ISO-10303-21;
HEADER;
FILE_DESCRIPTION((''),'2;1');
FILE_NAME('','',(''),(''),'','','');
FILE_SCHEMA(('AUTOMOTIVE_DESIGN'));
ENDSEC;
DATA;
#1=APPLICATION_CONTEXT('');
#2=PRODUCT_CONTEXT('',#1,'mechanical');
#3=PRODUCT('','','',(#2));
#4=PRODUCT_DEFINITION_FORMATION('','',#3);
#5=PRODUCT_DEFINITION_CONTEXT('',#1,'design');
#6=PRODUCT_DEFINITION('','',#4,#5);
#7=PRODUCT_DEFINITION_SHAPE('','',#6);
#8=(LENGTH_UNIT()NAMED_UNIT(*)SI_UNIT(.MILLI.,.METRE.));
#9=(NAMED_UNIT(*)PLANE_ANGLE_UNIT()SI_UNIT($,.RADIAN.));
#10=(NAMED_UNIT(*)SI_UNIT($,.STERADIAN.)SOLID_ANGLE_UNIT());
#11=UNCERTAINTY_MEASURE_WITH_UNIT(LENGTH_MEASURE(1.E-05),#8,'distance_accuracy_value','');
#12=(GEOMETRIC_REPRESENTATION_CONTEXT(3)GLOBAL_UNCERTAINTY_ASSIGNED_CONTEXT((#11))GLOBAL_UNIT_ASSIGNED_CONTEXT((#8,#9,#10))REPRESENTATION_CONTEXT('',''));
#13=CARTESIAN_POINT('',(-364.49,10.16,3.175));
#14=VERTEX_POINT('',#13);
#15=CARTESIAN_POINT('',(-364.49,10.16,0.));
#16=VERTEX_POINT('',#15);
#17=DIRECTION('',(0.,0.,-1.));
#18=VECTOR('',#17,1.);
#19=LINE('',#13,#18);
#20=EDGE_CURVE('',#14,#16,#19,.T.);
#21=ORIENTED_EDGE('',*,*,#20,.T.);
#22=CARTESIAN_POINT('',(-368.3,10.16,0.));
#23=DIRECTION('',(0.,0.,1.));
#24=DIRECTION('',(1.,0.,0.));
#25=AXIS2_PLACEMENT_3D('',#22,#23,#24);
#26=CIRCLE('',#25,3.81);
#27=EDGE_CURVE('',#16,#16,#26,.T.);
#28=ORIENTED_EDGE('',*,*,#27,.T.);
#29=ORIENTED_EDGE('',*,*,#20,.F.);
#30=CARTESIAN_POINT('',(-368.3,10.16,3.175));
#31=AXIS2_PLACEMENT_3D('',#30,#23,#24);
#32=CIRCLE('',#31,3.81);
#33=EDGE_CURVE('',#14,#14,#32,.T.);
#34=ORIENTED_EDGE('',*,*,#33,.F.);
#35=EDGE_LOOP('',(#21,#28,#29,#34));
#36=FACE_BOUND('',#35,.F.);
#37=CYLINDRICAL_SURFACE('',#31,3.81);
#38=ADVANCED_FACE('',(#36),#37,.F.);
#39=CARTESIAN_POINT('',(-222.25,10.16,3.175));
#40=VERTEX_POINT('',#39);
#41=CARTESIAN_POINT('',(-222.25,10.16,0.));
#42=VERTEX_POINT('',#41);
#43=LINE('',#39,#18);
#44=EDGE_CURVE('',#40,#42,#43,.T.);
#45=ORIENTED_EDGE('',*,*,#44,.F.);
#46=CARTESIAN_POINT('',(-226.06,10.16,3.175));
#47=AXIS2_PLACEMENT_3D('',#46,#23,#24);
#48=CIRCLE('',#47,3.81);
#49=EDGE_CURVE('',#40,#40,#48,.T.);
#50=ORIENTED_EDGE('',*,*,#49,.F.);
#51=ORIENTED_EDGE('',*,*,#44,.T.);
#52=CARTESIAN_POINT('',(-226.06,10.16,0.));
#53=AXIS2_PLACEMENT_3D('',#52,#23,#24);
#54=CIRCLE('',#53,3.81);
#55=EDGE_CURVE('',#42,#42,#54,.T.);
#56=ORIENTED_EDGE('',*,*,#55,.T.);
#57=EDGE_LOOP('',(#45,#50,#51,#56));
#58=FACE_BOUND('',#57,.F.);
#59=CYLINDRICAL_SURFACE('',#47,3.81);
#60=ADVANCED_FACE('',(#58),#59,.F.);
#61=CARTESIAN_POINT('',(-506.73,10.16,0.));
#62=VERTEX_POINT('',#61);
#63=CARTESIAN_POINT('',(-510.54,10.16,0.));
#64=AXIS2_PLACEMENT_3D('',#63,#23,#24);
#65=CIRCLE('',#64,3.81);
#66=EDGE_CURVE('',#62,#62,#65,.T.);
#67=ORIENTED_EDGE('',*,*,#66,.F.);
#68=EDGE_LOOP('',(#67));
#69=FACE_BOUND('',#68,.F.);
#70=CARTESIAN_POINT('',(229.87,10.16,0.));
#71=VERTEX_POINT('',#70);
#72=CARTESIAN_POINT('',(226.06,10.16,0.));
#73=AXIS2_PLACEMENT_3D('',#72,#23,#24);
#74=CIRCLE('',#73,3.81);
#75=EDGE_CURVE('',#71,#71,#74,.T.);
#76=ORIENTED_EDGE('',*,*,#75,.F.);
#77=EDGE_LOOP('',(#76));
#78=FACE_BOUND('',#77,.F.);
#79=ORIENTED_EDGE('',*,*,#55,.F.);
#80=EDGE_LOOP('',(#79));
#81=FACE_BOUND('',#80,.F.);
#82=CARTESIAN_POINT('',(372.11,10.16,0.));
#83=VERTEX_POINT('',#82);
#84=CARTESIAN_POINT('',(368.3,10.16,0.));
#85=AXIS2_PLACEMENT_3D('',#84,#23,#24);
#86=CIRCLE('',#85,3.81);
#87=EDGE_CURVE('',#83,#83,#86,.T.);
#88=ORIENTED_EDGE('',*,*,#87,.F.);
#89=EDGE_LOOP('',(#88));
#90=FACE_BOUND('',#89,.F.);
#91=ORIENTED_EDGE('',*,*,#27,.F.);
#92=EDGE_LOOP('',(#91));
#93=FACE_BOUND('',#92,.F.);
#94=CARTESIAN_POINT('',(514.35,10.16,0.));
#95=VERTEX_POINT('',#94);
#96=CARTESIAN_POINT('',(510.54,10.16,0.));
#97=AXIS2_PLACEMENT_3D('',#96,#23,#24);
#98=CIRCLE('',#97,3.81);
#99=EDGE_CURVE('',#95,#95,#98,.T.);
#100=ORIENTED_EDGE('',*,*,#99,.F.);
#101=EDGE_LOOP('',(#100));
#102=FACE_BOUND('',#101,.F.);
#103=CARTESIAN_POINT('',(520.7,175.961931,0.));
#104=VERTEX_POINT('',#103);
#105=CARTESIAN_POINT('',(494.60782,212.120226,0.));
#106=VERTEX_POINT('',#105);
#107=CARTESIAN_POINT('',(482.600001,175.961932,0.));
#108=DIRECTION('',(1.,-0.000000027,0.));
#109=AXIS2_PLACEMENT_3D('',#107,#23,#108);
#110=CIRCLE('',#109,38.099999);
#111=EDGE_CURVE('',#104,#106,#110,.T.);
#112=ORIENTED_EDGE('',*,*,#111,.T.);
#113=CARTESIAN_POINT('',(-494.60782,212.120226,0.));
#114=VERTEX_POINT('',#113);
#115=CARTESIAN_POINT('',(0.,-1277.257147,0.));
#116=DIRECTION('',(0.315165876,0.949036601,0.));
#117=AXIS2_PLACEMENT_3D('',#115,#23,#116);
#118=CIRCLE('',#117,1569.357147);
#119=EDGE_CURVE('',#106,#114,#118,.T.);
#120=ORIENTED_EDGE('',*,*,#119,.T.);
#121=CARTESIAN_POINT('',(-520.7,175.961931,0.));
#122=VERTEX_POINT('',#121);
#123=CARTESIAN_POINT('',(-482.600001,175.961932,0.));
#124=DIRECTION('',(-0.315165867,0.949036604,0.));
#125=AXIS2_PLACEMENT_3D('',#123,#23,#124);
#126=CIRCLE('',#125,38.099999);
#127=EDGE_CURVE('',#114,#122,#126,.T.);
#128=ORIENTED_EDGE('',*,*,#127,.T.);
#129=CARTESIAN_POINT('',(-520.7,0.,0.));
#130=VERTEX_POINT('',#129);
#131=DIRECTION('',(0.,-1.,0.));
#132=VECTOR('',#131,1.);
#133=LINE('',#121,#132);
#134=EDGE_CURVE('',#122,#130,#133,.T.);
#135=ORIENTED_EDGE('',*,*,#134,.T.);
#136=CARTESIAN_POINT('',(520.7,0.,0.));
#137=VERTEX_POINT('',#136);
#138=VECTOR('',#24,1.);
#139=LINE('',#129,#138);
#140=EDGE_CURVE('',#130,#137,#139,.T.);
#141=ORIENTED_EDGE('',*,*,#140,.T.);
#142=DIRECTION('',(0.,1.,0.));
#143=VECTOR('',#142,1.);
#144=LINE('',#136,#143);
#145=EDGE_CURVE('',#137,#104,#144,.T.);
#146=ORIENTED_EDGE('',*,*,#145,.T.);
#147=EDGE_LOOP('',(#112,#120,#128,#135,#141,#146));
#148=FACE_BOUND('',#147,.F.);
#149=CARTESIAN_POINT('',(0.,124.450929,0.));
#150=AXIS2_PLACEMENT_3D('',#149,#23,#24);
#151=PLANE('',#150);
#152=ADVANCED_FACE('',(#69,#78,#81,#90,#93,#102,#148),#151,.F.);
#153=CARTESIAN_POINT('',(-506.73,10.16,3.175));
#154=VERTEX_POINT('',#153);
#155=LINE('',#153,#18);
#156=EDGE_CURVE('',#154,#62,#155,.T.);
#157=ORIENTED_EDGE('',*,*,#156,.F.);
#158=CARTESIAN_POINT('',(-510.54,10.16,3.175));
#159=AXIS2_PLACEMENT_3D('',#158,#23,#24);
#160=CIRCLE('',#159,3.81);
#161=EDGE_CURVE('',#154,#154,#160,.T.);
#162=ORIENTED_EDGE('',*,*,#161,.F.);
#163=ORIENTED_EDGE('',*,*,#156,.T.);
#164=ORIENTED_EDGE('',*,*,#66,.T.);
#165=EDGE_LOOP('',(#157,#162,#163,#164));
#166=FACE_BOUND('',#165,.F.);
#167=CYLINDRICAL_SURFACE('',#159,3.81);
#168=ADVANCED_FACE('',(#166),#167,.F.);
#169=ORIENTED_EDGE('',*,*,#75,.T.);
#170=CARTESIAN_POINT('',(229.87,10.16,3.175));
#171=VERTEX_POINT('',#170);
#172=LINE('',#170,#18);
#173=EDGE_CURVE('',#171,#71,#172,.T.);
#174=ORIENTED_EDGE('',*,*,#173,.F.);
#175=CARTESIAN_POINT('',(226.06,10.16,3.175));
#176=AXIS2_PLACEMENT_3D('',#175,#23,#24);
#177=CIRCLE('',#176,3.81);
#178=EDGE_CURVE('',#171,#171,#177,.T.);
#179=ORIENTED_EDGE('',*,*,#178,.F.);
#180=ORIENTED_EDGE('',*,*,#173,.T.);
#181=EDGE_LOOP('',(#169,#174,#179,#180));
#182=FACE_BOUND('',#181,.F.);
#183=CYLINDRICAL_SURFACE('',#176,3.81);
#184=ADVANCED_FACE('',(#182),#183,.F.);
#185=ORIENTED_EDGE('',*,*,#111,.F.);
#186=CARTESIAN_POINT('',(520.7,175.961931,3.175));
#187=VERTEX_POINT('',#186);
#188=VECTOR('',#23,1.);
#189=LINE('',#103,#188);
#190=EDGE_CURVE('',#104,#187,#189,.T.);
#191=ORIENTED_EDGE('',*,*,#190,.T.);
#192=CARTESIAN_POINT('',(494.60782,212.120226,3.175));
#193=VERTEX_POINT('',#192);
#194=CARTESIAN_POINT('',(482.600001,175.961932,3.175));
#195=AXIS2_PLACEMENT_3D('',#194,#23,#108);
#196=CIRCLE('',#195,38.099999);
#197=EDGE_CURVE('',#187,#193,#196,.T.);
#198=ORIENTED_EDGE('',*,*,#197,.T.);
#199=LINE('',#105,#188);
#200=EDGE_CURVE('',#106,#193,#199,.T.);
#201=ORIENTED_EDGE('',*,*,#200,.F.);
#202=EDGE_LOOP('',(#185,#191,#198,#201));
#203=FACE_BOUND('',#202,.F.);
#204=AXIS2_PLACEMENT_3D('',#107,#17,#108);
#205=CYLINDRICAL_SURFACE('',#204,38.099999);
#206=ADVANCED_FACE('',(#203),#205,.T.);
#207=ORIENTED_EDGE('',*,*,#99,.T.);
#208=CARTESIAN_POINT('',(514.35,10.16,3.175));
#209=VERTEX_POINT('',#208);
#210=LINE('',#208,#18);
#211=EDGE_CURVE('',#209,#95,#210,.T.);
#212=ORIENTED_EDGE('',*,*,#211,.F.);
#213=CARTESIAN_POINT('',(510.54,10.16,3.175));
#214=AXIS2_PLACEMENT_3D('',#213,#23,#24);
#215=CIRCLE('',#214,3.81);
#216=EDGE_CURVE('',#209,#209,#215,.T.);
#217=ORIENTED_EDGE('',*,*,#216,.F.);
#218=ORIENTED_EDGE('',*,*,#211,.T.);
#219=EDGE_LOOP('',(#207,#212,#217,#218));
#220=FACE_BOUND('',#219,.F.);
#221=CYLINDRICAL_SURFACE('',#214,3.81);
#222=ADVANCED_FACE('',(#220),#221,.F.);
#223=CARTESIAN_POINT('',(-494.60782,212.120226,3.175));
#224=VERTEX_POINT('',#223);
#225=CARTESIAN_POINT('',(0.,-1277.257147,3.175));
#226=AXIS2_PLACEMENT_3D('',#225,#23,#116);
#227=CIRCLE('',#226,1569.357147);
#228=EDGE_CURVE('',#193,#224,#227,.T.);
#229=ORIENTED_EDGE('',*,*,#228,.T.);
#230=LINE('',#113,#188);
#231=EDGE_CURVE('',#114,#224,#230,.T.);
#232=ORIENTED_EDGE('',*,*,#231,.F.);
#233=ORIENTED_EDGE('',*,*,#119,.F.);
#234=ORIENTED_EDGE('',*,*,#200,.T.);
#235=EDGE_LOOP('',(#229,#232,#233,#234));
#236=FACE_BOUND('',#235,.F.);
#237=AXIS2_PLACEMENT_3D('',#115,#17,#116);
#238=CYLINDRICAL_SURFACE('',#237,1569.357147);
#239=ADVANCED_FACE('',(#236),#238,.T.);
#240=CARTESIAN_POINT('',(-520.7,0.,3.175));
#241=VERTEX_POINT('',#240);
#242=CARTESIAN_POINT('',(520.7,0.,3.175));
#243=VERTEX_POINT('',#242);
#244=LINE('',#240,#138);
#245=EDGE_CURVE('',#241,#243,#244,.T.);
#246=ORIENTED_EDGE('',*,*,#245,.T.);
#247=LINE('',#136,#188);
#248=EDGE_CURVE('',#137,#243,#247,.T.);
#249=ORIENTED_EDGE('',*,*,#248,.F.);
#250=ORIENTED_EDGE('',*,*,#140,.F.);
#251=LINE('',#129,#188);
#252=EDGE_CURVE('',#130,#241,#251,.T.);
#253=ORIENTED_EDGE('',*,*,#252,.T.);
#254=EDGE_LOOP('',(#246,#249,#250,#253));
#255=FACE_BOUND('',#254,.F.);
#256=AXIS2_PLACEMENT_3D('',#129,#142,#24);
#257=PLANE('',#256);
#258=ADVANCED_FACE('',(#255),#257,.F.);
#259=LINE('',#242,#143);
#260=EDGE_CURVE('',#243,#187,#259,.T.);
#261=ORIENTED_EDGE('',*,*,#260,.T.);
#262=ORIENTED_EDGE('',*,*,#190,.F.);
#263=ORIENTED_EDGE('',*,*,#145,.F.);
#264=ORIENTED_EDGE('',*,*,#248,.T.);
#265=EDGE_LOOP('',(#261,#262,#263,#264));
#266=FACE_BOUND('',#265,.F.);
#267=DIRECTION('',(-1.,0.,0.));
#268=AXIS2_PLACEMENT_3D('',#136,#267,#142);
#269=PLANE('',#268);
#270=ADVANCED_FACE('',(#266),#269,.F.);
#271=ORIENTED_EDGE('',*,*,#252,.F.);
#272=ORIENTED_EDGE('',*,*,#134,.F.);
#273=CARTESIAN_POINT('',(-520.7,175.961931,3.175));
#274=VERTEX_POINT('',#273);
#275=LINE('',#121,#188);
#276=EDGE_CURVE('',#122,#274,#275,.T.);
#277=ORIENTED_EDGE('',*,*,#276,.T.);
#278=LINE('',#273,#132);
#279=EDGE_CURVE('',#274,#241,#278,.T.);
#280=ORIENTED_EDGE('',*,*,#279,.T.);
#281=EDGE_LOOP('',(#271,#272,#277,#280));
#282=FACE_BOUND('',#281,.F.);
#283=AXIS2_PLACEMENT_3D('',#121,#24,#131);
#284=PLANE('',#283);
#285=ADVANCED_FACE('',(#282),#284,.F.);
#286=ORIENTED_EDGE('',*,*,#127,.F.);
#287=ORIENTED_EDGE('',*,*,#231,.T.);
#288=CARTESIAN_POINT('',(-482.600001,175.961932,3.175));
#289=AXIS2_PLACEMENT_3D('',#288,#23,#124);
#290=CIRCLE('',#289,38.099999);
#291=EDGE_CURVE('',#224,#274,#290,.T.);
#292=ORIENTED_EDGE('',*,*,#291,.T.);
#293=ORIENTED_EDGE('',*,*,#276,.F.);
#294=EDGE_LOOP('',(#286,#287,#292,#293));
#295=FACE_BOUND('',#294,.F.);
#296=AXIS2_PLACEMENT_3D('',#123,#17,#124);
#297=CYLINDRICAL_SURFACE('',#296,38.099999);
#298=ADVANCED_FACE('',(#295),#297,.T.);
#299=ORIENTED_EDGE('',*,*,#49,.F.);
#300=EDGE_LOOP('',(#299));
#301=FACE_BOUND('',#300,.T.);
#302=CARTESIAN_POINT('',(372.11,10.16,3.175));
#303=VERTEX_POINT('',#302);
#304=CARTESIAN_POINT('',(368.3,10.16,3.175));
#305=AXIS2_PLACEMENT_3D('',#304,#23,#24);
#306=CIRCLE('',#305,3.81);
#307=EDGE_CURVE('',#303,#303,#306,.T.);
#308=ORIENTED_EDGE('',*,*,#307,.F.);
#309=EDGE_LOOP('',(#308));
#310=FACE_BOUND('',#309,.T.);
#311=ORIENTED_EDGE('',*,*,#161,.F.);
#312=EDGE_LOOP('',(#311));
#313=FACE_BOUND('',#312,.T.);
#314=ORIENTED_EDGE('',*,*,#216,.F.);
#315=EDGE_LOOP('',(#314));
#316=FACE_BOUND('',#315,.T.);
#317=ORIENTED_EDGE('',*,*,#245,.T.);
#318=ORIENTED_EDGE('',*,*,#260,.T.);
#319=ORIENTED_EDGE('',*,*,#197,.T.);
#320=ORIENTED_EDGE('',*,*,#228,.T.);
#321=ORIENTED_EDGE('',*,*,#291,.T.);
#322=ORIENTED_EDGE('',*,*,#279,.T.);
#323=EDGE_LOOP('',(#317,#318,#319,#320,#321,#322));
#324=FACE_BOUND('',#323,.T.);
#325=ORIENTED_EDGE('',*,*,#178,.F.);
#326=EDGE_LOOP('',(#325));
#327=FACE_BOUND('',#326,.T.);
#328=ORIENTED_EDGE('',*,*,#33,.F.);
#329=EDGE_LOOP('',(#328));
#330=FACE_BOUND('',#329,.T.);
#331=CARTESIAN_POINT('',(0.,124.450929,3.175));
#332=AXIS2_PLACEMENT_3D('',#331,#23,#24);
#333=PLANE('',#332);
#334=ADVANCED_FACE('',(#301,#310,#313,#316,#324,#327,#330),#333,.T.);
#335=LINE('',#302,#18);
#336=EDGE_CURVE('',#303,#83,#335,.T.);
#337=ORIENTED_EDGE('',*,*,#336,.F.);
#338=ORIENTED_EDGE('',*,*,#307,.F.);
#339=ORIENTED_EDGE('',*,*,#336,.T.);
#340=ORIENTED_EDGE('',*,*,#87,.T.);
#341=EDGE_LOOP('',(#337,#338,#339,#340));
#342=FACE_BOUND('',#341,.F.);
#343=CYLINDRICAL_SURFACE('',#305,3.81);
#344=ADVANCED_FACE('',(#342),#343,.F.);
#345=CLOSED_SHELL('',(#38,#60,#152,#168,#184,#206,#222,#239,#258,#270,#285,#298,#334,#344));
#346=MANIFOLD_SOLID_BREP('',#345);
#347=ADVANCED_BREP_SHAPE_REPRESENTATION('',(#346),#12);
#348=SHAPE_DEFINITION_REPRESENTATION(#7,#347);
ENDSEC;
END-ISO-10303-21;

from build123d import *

# Parameters (mm, degrees)
F1_DEPTH = 3.175
F2_R     = 3.81
F3_DEPTH = 25.4


with BuildPart() as f1:
    # F0 (on Top) → F1 (new body)
    with BuildSketch(Plane.XY):
        with BuildLine():
            Line((-515.62, 0), (0, 0))
            Line((0, 0), (515.62, 0))
            Line((515.62, 0), (520.7, 0))
            Line((520.7, 0), (520.7, 5.08))
            Line((520.7, 5.08), (520.7, 175.961931))
            ThreePointArc((520.7, 175.961931), (513.495857, 198.256685), (494.60782, 212.120226))
            ThreePointArc((494.60782, 212.120226), (0, 292.1), (-494.60782, 212.120226))
            ThreePointArc((-494.60782, 212.120226), (-513.495857, 198.256685), (-520.7, 175.961931))
            Line((-520.7, 175.961931), (-520.7, 5.08))
            Line((-520.7, 5.08), (-520.7, 0))
            Line((-520.7, 0), (-515.62, 0))
        make_face()
    extrude(amount=F1_DEPTH)

    # F2 (on face) → F3 (cut)
    with BuildSketch(Plane.XY.offset(3.175)):
        with Locations((510.54, 10.16)):
            Circle(F2_R)
        with Locations((368.3, 10.16)):
            Circle(F2_R)
        with Locations((226.06, 10.16)):
            Circle(F2_R)
        with Locations((-226.06, 10.16)):
            Circle(F2_R)
        with Locations((-368.3, 10.16)):
            Circle(F2_R)
        with Locations((-510.54, 10.16)):
            Circle(F2_R)
    extrude(amount=-F3_DEPTH, mode=Mode.SUBTRACT)


solid = f1.part
